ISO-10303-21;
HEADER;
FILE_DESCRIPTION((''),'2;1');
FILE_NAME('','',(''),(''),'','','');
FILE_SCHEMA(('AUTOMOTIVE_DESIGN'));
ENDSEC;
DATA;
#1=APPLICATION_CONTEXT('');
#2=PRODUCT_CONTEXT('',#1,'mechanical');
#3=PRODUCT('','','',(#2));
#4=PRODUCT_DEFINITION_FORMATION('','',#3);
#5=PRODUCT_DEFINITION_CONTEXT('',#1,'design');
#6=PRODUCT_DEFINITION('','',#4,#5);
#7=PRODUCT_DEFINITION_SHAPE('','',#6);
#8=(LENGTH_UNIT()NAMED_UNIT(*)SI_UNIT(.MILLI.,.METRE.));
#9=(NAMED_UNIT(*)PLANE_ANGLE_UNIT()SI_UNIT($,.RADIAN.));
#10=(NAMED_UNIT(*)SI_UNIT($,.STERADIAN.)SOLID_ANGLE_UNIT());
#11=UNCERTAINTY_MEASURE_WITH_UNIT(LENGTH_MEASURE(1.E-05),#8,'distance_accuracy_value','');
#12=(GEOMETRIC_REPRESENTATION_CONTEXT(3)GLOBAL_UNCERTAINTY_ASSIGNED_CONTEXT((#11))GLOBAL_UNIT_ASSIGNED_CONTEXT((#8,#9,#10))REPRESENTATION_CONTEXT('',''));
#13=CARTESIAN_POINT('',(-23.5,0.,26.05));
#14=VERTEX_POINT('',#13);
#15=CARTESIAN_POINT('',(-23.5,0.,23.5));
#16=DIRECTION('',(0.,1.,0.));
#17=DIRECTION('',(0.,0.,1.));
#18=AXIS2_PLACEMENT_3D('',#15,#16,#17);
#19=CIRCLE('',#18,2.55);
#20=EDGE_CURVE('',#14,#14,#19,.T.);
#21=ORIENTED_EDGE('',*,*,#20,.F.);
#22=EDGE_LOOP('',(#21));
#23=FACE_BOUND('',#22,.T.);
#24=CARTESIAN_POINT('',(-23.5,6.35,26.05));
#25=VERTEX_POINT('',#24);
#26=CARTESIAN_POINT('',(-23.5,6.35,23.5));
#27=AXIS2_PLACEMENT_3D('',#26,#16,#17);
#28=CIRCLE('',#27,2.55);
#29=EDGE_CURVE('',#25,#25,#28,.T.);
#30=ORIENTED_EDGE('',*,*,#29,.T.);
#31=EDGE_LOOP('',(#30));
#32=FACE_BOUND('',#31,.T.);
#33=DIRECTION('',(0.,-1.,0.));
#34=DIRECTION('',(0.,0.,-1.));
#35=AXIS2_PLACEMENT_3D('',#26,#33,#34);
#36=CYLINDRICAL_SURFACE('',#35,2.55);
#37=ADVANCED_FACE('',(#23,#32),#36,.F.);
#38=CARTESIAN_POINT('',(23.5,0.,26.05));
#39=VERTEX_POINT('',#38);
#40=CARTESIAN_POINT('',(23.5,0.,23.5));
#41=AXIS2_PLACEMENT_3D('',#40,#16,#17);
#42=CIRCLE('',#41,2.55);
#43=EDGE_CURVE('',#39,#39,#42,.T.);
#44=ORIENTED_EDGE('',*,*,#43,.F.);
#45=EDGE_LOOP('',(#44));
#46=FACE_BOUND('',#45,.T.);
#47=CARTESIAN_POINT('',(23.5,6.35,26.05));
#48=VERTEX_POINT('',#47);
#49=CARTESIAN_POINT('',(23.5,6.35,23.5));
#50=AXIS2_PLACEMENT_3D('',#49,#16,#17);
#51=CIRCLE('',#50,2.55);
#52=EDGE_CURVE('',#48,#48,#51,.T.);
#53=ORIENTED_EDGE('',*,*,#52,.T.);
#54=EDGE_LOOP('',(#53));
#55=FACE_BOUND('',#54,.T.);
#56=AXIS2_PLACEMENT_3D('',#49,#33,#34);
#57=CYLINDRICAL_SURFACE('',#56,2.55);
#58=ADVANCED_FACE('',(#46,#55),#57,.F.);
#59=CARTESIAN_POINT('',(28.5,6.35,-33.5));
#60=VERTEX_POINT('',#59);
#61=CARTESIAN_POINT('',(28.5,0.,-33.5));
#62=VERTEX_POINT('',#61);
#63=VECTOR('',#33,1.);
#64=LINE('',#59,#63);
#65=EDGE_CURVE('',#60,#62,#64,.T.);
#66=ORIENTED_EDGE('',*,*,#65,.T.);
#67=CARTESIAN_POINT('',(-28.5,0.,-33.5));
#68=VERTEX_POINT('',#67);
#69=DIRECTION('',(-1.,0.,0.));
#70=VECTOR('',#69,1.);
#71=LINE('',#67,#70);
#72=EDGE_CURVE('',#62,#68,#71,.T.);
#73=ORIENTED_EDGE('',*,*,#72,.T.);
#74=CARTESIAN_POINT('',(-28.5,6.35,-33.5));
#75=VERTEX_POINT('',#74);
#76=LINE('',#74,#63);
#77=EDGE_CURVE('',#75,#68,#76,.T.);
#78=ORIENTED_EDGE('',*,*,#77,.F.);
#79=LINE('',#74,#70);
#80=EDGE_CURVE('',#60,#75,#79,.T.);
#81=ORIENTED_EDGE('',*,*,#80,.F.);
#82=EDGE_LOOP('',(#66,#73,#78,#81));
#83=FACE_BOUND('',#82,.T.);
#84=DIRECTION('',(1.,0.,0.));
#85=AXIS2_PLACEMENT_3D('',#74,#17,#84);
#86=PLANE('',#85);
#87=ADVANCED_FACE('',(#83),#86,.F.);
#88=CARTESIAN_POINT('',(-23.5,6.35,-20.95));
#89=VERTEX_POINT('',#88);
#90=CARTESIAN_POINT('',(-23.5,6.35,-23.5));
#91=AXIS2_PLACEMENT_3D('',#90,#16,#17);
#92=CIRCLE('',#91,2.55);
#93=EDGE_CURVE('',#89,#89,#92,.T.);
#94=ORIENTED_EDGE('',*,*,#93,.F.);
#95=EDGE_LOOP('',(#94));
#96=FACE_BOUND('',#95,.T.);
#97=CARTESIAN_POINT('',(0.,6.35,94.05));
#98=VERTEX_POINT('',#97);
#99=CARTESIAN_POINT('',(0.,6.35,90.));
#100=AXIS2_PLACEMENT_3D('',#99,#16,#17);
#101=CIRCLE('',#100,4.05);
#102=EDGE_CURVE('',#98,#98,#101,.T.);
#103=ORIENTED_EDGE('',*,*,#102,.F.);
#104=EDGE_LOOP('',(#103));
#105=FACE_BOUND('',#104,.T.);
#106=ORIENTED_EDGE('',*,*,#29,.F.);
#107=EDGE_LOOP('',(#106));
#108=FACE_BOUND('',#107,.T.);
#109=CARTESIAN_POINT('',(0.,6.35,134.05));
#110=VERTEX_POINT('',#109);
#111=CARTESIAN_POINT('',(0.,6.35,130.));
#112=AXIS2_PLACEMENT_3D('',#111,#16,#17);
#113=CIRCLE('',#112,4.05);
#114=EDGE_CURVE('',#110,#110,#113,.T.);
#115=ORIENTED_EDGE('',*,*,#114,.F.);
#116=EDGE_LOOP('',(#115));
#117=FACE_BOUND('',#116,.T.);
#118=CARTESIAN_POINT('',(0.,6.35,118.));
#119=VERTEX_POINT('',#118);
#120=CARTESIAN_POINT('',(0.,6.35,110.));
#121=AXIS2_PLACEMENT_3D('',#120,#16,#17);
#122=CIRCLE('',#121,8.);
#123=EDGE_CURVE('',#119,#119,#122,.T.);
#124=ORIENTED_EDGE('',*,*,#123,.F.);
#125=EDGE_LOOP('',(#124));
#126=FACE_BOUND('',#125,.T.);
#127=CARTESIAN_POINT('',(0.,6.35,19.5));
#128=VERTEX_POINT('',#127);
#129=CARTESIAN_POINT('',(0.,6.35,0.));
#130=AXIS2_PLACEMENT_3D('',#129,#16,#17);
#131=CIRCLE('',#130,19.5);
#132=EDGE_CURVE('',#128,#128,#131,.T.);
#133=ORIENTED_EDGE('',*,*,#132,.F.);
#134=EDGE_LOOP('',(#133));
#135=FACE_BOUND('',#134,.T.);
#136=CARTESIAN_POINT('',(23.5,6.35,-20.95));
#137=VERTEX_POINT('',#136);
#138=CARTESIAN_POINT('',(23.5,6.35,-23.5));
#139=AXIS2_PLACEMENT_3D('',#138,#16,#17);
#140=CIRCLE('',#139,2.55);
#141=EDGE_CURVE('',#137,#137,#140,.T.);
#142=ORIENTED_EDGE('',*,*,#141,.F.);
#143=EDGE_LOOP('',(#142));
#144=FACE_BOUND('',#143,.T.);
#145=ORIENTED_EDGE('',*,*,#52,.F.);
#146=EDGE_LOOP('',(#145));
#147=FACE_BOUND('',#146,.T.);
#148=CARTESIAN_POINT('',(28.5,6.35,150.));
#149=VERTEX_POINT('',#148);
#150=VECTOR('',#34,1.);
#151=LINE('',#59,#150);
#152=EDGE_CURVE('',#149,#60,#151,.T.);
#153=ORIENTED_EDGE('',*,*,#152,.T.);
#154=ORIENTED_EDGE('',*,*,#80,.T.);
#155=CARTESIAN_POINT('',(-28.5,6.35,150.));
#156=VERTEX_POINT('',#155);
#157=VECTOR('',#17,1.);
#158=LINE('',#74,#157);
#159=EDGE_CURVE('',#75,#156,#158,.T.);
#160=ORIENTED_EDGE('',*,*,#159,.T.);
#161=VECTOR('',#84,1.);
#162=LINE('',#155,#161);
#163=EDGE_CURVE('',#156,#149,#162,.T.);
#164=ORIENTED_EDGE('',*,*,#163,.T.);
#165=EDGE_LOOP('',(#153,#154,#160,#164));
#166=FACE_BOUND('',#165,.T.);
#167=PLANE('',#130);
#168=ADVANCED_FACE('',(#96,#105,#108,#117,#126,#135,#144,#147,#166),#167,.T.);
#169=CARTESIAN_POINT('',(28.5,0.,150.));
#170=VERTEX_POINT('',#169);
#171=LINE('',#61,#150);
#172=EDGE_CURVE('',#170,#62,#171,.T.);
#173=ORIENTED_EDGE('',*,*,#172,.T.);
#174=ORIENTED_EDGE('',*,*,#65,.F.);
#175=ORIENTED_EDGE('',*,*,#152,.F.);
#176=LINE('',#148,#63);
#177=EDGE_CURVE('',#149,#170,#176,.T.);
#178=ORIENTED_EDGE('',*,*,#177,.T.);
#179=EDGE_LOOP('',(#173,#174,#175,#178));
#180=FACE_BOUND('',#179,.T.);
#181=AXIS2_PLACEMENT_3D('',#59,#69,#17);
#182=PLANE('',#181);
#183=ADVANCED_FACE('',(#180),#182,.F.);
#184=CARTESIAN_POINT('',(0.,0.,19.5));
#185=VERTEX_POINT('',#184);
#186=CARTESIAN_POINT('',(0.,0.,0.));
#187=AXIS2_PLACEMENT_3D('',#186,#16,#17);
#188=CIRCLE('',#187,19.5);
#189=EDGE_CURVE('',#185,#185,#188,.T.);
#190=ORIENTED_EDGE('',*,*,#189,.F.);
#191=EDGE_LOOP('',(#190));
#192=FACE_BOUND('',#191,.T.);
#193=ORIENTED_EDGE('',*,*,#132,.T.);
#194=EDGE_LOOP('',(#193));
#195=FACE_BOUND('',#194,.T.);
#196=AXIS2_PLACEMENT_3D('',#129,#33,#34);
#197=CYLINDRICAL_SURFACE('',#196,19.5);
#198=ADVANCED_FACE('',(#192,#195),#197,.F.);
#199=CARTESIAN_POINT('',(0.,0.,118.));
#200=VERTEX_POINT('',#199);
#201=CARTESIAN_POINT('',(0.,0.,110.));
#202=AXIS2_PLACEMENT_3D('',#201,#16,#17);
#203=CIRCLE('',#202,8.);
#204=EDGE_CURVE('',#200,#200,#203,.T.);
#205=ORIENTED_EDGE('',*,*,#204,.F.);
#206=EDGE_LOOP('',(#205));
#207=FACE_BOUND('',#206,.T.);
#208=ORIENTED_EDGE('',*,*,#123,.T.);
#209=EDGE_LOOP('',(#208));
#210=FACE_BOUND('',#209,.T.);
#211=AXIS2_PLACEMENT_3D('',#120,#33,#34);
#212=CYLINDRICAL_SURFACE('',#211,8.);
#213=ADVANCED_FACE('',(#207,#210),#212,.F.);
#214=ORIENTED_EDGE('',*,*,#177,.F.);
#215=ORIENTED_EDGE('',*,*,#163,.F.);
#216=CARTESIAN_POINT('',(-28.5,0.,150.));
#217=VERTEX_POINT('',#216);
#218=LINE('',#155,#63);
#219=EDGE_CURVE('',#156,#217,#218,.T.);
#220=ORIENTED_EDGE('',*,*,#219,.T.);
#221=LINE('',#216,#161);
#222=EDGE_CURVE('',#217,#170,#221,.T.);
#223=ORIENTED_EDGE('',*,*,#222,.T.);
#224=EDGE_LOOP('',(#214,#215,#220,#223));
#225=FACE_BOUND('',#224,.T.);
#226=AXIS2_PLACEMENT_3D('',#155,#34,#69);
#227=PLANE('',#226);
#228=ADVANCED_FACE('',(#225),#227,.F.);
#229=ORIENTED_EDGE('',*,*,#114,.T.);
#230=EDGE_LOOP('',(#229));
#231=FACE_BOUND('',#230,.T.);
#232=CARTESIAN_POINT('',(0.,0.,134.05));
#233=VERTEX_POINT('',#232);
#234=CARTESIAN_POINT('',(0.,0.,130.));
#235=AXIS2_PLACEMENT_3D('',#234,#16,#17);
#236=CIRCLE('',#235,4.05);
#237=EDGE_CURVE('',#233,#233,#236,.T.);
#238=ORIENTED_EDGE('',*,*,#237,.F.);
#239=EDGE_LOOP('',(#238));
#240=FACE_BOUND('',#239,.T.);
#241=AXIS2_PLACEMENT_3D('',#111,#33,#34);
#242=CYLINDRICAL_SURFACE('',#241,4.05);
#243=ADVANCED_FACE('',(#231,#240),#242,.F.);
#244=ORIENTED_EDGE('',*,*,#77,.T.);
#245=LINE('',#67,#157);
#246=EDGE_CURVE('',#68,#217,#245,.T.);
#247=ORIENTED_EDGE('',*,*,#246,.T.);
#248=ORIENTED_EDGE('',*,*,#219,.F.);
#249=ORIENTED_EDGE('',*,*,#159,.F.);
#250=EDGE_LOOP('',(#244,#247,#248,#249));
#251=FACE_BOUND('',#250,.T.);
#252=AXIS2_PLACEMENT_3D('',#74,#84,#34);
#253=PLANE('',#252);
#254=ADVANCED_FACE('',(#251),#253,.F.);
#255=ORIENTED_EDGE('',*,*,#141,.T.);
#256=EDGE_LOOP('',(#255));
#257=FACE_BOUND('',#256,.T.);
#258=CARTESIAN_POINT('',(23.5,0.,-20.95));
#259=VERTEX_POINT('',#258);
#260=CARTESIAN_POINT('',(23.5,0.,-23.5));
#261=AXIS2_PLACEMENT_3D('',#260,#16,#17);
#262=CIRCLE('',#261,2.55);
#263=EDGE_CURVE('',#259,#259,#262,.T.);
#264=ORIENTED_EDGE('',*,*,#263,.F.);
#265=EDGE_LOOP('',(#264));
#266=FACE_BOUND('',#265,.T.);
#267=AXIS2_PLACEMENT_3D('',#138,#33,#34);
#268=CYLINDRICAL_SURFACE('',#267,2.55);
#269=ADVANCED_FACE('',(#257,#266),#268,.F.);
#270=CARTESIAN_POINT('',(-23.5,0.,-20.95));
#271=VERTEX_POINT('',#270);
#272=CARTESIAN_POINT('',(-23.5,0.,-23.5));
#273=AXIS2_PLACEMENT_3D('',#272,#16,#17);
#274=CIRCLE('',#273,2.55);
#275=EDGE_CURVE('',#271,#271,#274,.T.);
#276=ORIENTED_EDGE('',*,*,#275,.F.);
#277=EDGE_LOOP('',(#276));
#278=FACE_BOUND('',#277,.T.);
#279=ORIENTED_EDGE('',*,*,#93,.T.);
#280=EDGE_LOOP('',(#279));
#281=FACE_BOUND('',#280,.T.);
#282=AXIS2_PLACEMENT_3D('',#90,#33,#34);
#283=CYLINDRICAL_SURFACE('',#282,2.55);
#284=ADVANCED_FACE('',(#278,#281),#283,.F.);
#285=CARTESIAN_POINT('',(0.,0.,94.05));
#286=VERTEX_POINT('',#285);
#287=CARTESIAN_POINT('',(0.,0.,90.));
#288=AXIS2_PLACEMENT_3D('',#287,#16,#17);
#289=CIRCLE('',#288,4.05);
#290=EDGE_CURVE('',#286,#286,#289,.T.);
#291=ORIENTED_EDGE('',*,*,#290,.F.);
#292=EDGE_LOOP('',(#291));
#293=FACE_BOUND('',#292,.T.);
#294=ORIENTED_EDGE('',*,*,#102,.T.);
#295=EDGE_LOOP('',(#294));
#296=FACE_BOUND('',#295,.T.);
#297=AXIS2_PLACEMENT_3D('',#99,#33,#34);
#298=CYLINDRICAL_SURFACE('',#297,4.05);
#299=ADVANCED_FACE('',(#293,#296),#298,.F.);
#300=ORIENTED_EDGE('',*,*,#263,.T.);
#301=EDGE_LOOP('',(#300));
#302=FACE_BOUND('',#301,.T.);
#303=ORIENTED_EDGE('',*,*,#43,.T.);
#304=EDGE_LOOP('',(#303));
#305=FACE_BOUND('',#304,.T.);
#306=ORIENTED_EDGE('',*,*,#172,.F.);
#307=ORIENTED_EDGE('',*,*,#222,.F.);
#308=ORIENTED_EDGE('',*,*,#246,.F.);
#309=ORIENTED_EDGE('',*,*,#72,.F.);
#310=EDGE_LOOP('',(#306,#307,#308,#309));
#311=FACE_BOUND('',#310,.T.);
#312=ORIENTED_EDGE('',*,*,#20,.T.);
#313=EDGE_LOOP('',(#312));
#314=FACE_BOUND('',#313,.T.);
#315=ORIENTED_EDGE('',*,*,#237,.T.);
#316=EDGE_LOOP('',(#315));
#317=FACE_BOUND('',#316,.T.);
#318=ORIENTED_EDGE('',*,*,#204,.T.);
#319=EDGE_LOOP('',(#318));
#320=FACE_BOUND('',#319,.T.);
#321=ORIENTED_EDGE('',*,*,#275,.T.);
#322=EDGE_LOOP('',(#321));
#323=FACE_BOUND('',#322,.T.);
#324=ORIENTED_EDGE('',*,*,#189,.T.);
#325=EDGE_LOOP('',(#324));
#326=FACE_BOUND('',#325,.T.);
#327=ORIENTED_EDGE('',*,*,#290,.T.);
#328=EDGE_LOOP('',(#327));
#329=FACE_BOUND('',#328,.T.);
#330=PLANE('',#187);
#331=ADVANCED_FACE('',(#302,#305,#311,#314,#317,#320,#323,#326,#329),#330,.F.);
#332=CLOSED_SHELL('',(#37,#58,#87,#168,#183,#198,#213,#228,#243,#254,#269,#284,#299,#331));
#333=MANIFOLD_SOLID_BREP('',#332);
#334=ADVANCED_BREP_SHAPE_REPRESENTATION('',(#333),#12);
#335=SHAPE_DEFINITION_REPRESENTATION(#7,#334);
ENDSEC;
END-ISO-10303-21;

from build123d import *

# Parameters (mm, degrees)
SKETCH1_W           = 57
SKETCH1_H           = 183.5
SKETCH1_R           = 19.5
SKETCH1_R_2         = 2.55
SKETCH1_R_3         = 4.05
SKETCH1_R_4         = 8
BOSS_EXTRUDE1_DEPTH = 6.35


with BuildPart() as part:
    # Sketch1 → Boss-Extrude1 (new body)
    with BuildSketch(Plane(origin=(0, 0, 0), x_dir=(1, 0, 0), z_dir=(0, 1, 0))):
        with Locations((0, -58.25)):
            Rectangle(SKETCH1_W, SKETCH1_H)
        with Locations(Location((0, 0, 0), (0, 0, 270))):
            Circle(SKETCH1_R, mode=Mode.SUBTRACT)
        with Locations(Location((-23.5, 23.5, 0), (0, 0, 270))):
            Circle(SKETCH1_R_2, mode=Mode.SUBTRACT)
        with Locations(Location((23.5, 23.5, 0), (0, 0, 270))):
            Circle(SKETCH1_R_2, mode=Mode.SUBTRACT)
        with Locations(Location((23.5, -23.5, 0), (0, 0, 270))):
            Circle(SKETCH1_R_2, mode=Mode.SUBTRACT)
        with Locations(Location((-23.5, -23.5, 0), (0, 0, 270))):
            Circle(SKETCH1_R_2, mode=Mode.SUBTRACT)
        with Locations(Location((0, -90, 0), (0, 0, 270))):
            Circle(SKETCH1_R_3, mode=Mode.SUBTRACT)
        with Locations(Location((0, -130, 0), (0, 0, 270))):
            Circle(SKETCH1_R_3, mode=Mode.SUBTRACT)
        with Locations(Location((0, -110, 0), (0, 0, 270))):
            Circle(SKETCH1_R_4, mode=Mode.SUBTRACT)
    extrude(amount=BOSS_EXTRUDE1_DEPTH)


solid = part.part
